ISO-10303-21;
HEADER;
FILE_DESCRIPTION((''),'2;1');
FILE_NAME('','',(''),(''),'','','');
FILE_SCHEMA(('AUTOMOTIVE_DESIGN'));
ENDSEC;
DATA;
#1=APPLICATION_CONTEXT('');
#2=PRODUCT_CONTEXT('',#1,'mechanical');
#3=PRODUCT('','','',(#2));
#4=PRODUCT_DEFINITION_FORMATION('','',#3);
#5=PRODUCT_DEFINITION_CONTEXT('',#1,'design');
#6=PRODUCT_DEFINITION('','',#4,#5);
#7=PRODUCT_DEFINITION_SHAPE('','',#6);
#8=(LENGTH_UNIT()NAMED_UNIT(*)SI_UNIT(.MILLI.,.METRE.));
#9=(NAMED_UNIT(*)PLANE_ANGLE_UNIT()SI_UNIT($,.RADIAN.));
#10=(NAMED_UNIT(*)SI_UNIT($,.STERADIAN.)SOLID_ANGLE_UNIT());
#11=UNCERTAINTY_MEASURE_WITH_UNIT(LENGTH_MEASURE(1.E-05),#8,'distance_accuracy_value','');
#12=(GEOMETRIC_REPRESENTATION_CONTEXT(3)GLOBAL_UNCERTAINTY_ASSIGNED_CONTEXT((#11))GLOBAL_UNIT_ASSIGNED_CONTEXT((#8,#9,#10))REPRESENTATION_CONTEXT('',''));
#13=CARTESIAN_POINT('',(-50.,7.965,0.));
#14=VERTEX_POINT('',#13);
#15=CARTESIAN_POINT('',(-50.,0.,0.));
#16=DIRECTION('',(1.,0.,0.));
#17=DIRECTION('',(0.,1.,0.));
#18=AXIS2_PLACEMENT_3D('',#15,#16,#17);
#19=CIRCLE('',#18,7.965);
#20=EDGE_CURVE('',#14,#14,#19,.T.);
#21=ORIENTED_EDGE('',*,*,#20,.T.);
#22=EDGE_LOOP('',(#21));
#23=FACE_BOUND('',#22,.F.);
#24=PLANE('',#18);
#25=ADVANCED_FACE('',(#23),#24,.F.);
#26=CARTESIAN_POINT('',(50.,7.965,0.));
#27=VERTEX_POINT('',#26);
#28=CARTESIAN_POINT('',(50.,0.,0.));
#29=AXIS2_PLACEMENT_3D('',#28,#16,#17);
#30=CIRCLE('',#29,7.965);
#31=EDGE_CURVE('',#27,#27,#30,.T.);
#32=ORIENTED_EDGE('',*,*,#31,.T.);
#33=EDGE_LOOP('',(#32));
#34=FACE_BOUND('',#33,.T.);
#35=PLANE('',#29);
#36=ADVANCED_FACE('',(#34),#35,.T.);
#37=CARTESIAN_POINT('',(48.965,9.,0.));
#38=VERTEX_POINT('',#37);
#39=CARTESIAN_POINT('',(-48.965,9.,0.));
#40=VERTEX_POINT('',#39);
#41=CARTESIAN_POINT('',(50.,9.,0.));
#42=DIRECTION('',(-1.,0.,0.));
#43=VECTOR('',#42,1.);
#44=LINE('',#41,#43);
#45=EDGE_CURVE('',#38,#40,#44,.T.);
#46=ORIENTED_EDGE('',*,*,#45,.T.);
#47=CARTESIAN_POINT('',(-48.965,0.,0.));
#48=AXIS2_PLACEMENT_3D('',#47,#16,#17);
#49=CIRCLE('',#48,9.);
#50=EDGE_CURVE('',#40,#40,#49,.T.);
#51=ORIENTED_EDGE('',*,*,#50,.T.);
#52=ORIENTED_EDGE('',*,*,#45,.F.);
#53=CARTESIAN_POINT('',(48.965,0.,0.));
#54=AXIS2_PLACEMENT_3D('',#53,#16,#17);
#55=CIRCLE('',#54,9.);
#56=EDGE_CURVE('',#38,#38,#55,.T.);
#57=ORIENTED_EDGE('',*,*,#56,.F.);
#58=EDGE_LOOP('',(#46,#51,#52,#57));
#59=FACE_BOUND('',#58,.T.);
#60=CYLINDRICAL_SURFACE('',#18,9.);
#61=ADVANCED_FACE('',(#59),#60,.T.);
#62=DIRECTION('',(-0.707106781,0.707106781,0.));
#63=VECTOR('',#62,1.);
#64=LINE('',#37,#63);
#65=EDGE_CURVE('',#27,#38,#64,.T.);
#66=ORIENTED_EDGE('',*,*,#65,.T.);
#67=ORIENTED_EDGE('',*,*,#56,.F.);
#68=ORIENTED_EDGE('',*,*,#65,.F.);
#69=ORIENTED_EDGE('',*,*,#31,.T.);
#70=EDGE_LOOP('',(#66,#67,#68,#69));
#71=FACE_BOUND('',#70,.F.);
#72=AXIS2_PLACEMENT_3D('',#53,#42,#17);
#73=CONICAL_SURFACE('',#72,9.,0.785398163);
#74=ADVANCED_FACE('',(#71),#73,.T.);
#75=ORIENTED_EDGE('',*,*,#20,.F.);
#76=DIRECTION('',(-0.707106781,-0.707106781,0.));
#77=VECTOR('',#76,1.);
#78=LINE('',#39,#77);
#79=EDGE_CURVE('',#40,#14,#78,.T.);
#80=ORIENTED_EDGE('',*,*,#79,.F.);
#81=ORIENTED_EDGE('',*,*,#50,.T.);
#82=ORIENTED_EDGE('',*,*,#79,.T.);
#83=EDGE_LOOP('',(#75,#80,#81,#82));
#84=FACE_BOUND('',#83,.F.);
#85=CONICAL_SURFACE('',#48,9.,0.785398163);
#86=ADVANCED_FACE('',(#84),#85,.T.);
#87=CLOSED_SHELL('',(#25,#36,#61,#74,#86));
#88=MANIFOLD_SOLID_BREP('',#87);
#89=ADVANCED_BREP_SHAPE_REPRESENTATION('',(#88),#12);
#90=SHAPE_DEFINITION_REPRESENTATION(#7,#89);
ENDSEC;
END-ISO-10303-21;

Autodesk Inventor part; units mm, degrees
ref_plane "YZ Plane" through (0, 0, 0) normal (1, 0, 0) x (0, 1, 0)
ref_plane "XZ Plane" through (0, 0, 0) normal (0, 1, 0) x (-1, 0, 0)
sketch "Sketch1" plane through (0, 0, 0) normal (0, 0, 1) x (1, 0, 0)
  line L0 (50, 9) -> (50, 0)
  line L1 (-50, 0) -> (50, 0)
  line L2 (-70, 0) -> (70, 0) projected
  line L3 (0, 10.8) -> (0, -1.8) projected
  line L4 (-50, 9) -> (-50, 0)
  line L5 (0, 9) -> (0, 0) construction
  line L6 (-70, 0) -> (70, 0) projected
  line L7 (-50, 9) -> (50, 9)
  dimension "d13" = 18
  dimension "d87" = 100
  dimension "d88" = 50
revolve "Body" add sketch "Sketch1" angle 360 about axis through (-50, 0, 0) along (1, 0, 0)
thread "Thread1" size "M18x1.5" class "6g" standard "ISO Metric profile" length 100
chamfer "Chamfer1" distance 1.035 angle 45 1 edges at (50, -9, 0) measured on face at (-16.6667, 8.8835, -1.4437)
chamfer "Chamfer2" distance 1.035 angle 45 1 edges at (-50, -9, 0) measured on face at (15.9767, 8.9708, -0.7242)
ref_plane "Work Plane1" through (2.75, 0, 0) normal (0, -1, 0) x (1, 0, 0)
equation "\"d13\" = NND"
equation "\"d87\" = NLG"
equation "\"d88\" = 0.5 * NLG"
equation "\"d1\" = GEL"
equation "\"d9\" = -0.5 * SPD + 0.5 * NND"
equation "\"d10\" = -0.5 * SPD + 0.5 * NND"
equation "\"d11\" = -0.5 * SPD + 0.5 * NND"
equation "\"d12\" = -0.5 * SPD + 0.5 * NND"
equation "\"NLG\" = 100"
equation "\"GEL\" = NLG"
equation "\"GAL\" = 0.61345 * PTC"
equation "\"SPD\" = 15.93"
equation "\"d0\" = NND"
equation "\"GUL\" = 0.61345 * PTC"
equation "\"NND\" = 18"
equation "\"GUL1\" = GUL"
equation "\"GAL1\" = GAL"
equation "\"d80\" = -GUL - GEL"
equation "\"d86\" = -GEL + GUL1"
equation "\"PTC\" = 1.5"
equation "\"THREADDIA\" = 18"
equation "\"TOA\" = 30deg"
equation "\"GD1\" = THREADDIA - 1.2269 * PTC"
properties part number "DIN 976-1 - M18 x 1.5 x 100 - B" material "Steel, Mild"
